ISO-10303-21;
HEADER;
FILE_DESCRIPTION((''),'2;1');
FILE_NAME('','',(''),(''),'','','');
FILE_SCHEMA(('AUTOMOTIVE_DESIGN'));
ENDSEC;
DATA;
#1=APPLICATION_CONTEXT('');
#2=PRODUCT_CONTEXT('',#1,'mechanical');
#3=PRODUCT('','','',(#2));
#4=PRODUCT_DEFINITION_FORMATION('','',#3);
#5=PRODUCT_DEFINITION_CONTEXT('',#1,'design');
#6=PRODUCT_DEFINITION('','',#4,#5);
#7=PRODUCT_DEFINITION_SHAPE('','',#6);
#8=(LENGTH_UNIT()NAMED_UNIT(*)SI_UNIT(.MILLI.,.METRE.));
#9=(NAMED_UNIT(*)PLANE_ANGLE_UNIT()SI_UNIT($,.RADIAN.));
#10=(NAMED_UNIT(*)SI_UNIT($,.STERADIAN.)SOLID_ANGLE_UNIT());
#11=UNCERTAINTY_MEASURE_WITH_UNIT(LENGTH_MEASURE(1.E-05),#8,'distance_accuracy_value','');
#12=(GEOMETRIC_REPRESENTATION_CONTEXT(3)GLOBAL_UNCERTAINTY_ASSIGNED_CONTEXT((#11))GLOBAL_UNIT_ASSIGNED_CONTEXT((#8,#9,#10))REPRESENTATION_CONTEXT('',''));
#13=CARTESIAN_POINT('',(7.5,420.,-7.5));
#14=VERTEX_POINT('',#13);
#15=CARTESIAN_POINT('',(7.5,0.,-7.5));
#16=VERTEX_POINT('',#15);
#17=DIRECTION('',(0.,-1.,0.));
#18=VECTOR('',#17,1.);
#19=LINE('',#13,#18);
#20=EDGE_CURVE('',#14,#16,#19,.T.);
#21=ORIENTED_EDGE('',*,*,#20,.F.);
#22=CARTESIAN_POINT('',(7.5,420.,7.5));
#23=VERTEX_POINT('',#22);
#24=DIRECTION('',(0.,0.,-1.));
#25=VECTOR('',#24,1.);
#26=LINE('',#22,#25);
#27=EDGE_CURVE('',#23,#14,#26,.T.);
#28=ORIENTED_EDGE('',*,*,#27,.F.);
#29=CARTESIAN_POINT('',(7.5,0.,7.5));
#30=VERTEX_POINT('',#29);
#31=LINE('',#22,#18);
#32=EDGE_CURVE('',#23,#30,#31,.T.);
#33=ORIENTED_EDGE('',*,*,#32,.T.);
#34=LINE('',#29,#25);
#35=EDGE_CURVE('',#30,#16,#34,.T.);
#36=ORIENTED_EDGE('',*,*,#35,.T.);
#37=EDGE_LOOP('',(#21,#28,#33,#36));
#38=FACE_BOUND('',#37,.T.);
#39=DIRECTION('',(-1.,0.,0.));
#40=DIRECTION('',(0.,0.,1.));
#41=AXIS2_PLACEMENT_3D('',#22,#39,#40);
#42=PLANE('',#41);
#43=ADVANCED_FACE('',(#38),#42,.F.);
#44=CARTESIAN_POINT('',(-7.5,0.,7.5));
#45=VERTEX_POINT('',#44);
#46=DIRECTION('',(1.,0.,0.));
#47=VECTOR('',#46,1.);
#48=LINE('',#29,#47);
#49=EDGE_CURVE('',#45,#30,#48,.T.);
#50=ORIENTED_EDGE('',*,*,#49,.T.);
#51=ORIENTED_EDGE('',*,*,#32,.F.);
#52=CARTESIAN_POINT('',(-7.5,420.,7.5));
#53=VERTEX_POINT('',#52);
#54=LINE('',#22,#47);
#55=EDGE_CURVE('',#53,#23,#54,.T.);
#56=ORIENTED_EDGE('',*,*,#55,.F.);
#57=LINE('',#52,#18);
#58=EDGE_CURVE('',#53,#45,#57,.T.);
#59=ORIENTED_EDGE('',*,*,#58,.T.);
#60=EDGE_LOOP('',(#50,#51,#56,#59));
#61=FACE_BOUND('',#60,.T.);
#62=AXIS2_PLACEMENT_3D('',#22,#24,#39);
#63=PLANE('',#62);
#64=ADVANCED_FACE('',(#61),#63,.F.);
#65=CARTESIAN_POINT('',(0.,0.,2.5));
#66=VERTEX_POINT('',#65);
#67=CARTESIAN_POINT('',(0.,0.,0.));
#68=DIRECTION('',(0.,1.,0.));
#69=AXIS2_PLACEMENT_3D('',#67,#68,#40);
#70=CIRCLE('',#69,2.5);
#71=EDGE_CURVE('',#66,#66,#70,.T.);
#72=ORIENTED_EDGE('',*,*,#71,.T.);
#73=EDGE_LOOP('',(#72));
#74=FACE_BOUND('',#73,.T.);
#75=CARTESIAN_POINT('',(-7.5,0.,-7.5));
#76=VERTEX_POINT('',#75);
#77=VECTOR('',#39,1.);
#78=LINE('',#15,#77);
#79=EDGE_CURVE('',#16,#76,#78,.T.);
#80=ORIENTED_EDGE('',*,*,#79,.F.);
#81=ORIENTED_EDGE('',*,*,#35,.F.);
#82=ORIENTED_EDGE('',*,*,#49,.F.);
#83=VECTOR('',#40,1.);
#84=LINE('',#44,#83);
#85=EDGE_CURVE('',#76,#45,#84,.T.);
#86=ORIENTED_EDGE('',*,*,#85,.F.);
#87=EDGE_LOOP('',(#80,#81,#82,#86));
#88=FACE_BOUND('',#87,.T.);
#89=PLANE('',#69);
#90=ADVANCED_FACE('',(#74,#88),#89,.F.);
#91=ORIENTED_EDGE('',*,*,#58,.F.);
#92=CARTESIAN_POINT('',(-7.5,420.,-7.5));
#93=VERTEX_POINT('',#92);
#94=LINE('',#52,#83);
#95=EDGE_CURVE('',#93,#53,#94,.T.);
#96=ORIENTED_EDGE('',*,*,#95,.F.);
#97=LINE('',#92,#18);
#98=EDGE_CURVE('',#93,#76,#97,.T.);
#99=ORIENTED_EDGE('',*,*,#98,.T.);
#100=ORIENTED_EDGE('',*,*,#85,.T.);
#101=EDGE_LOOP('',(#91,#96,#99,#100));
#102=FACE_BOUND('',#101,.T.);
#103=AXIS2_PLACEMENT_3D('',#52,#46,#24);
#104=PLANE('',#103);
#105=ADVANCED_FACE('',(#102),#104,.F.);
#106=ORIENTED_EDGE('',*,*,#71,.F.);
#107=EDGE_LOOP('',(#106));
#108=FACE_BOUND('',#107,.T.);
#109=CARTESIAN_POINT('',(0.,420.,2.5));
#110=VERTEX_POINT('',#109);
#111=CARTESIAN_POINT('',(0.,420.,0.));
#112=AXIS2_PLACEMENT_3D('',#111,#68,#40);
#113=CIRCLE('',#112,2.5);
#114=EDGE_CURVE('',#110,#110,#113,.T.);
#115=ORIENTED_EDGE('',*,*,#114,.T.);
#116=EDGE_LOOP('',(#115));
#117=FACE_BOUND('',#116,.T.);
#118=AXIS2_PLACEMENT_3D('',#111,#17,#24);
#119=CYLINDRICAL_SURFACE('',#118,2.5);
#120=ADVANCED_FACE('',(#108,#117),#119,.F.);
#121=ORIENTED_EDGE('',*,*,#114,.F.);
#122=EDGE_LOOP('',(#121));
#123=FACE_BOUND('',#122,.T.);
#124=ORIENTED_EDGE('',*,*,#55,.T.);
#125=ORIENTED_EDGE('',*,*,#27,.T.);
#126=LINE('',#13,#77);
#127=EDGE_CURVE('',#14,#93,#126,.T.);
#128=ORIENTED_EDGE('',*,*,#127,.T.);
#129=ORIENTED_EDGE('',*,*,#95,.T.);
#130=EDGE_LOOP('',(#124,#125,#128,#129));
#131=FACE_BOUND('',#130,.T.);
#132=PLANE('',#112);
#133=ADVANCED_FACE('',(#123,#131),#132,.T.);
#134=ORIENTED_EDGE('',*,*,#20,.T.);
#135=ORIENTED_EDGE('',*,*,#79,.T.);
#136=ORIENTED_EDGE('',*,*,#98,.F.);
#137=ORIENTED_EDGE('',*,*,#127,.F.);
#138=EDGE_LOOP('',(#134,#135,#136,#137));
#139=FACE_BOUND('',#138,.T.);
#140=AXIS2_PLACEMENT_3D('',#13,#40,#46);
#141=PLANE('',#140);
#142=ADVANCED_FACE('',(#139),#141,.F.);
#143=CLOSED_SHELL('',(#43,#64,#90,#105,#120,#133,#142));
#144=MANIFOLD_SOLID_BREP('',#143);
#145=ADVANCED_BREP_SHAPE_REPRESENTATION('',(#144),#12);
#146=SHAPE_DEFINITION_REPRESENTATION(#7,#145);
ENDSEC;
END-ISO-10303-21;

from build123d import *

# Parameters (mm, degrees)
SKETCH1_W           = 15
SKETCH1_H           = 15
SKETCH1_R           = 2.5
BOSS_EXTRUDE1_DEPTH = 420


with BuildPart() as part:
    # Sketch1 → Boss-Extrude1 (new body)
    with BuildSketch(Plane(origin=(0, 0, 0), x_dir=(1, 0, 0), z_dir=(0, 1, 0))):
        Rectangle(SKETCH1_W, SKETCH1_H)
        with Locations(Location((0, 0, 0), (0, 0, 270))):
            Circle(SKETCH1_R, mode=Mode.SUBTRACT)
    extrude(amount=BOSS_EXTRUDE1_DEPTH)


solid = part.part
